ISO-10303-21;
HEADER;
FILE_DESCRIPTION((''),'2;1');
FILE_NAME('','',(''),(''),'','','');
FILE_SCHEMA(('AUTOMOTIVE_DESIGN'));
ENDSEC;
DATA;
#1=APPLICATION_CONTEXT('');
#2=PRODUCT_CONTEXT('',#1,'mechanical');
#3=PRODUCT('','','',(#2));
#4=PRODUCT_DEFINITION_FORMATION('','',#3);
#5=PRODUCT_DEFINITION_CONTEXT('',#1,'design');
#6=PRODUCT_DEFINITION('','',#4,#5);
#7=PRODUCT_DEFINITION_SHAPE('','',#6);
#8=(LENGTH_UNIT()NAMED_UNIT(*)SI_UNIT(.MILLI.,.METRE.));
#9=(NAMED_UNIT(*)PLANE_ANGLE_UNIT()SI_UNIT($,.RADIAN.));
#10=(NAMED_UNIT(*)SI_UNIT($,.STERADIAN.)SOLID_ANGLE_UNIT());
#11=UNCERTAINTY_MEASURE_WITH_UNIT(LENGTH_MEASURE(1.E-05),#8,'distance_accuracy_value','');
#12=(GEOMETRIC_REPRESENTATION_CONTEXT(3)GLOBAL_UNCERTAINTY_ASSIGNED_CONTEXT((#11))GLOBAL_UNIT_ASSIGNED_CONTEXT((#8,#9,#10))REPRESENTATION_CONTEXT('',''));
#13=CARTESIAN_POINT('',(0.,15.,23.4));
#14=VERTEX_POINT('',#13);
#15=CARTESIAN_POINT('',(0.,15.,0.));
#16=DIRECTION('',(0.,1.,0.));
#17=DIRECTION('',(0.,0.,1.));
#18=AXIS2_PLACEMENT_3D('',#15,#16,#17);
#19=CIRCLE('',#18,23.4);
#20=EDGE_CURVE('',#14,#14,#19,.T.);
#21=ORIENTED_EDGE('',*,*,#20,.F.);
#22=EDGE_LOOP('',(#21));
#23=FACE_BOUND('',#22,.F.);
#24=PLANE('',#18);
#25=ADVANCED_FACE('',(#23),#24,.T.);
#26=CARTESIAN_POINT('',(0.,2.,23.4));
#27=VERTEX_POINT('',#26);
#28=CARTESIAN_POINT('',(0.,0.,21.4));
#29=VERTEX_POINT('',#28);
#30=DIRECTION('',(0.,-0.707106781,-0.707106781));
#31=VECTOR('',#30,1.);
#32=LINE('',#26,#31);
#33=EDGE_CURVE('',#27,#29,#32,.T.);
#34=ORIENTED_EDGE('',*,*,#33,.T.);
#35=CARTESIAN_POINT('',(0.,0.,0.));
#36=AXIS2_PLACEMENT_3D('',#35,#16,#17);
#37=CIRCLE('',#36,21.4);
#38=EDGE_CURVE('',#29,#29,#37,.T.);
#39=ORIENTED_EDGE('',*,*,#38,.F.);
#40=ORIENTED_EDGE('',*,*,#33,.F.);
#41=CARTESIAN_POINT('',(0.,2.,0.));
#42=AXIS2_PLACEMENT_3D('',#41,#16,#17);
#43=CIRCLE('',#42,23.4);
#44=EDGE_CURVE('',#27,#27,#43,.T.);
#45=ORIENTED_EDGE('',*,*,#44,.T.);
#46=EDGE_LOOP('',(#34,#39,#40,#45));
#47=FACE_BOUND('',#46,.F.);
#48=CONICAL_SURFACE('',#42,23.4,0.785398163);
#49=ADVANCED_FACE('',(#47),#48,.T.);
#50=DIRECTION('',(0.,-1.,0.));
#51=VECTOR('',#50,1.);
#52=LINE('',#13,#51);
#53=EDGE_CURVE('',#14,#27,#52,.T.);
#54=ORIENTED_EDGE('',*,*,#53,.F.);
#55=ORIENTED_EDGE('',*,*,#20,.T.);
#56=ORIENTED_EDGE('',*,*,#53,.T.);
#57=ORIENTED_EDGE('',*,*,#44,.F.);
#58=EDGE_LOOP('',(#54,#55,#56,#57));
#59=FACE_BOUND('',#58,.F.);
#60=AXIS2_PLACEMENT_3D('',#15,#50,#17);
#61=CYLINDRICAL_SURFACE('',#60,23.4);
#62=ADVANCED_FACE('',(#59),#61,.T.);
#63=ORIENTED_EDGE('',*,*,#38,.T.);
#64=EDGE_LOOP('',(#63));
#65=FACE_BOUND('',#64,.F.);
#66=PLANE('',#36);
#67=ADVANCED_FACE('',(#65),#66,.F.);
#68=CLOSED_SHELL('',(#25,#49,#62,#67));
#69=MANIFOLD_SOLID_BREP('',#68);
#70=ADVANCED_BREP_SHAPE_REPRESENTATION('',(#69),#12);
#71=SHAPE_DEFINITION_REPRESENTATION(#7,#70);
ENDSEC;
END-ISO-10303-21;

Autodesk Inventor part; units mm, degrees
ref_plane "YZ Plane" through (0, 0, 0) normal (1, 0, 0) x (0, 1, 0)
ref_plane "XZ Plane" through (0, 0, 0) normal (0, 1, 0) x (-1, 0, 0)
ref_plane "XY Plane" through (0, 0, 0) normal (0, 0, 1) x (1, 0, 0)
sketch "Sketch1" plane through (0, 0, 0) normal (1, 0, 0) x (0, 1, 0)
  line L0 (0, 0) -> (15, 0)
  line L1 (15, 0) -> (15, 23.4)
  line L2 (15, 23.4) -> (2, 23.4)
  line L3 (0, 21.4) -> (0, 0)
  line L4 (2, 23.4) -> (0, 21.4)
  point P0 (0, 23.4)
  dimension "d0" = 23.4
  dimension "d1" = 15
  dimension "d2" = 2
  dimension "d3" = 2
revolve "Revolution1" add sketch "Sketch1" angle 360 about axis through (0, 0, 0) along (0, 1, 0)
equation "\"d3\" = d2"
properties part number "bulkhead"
